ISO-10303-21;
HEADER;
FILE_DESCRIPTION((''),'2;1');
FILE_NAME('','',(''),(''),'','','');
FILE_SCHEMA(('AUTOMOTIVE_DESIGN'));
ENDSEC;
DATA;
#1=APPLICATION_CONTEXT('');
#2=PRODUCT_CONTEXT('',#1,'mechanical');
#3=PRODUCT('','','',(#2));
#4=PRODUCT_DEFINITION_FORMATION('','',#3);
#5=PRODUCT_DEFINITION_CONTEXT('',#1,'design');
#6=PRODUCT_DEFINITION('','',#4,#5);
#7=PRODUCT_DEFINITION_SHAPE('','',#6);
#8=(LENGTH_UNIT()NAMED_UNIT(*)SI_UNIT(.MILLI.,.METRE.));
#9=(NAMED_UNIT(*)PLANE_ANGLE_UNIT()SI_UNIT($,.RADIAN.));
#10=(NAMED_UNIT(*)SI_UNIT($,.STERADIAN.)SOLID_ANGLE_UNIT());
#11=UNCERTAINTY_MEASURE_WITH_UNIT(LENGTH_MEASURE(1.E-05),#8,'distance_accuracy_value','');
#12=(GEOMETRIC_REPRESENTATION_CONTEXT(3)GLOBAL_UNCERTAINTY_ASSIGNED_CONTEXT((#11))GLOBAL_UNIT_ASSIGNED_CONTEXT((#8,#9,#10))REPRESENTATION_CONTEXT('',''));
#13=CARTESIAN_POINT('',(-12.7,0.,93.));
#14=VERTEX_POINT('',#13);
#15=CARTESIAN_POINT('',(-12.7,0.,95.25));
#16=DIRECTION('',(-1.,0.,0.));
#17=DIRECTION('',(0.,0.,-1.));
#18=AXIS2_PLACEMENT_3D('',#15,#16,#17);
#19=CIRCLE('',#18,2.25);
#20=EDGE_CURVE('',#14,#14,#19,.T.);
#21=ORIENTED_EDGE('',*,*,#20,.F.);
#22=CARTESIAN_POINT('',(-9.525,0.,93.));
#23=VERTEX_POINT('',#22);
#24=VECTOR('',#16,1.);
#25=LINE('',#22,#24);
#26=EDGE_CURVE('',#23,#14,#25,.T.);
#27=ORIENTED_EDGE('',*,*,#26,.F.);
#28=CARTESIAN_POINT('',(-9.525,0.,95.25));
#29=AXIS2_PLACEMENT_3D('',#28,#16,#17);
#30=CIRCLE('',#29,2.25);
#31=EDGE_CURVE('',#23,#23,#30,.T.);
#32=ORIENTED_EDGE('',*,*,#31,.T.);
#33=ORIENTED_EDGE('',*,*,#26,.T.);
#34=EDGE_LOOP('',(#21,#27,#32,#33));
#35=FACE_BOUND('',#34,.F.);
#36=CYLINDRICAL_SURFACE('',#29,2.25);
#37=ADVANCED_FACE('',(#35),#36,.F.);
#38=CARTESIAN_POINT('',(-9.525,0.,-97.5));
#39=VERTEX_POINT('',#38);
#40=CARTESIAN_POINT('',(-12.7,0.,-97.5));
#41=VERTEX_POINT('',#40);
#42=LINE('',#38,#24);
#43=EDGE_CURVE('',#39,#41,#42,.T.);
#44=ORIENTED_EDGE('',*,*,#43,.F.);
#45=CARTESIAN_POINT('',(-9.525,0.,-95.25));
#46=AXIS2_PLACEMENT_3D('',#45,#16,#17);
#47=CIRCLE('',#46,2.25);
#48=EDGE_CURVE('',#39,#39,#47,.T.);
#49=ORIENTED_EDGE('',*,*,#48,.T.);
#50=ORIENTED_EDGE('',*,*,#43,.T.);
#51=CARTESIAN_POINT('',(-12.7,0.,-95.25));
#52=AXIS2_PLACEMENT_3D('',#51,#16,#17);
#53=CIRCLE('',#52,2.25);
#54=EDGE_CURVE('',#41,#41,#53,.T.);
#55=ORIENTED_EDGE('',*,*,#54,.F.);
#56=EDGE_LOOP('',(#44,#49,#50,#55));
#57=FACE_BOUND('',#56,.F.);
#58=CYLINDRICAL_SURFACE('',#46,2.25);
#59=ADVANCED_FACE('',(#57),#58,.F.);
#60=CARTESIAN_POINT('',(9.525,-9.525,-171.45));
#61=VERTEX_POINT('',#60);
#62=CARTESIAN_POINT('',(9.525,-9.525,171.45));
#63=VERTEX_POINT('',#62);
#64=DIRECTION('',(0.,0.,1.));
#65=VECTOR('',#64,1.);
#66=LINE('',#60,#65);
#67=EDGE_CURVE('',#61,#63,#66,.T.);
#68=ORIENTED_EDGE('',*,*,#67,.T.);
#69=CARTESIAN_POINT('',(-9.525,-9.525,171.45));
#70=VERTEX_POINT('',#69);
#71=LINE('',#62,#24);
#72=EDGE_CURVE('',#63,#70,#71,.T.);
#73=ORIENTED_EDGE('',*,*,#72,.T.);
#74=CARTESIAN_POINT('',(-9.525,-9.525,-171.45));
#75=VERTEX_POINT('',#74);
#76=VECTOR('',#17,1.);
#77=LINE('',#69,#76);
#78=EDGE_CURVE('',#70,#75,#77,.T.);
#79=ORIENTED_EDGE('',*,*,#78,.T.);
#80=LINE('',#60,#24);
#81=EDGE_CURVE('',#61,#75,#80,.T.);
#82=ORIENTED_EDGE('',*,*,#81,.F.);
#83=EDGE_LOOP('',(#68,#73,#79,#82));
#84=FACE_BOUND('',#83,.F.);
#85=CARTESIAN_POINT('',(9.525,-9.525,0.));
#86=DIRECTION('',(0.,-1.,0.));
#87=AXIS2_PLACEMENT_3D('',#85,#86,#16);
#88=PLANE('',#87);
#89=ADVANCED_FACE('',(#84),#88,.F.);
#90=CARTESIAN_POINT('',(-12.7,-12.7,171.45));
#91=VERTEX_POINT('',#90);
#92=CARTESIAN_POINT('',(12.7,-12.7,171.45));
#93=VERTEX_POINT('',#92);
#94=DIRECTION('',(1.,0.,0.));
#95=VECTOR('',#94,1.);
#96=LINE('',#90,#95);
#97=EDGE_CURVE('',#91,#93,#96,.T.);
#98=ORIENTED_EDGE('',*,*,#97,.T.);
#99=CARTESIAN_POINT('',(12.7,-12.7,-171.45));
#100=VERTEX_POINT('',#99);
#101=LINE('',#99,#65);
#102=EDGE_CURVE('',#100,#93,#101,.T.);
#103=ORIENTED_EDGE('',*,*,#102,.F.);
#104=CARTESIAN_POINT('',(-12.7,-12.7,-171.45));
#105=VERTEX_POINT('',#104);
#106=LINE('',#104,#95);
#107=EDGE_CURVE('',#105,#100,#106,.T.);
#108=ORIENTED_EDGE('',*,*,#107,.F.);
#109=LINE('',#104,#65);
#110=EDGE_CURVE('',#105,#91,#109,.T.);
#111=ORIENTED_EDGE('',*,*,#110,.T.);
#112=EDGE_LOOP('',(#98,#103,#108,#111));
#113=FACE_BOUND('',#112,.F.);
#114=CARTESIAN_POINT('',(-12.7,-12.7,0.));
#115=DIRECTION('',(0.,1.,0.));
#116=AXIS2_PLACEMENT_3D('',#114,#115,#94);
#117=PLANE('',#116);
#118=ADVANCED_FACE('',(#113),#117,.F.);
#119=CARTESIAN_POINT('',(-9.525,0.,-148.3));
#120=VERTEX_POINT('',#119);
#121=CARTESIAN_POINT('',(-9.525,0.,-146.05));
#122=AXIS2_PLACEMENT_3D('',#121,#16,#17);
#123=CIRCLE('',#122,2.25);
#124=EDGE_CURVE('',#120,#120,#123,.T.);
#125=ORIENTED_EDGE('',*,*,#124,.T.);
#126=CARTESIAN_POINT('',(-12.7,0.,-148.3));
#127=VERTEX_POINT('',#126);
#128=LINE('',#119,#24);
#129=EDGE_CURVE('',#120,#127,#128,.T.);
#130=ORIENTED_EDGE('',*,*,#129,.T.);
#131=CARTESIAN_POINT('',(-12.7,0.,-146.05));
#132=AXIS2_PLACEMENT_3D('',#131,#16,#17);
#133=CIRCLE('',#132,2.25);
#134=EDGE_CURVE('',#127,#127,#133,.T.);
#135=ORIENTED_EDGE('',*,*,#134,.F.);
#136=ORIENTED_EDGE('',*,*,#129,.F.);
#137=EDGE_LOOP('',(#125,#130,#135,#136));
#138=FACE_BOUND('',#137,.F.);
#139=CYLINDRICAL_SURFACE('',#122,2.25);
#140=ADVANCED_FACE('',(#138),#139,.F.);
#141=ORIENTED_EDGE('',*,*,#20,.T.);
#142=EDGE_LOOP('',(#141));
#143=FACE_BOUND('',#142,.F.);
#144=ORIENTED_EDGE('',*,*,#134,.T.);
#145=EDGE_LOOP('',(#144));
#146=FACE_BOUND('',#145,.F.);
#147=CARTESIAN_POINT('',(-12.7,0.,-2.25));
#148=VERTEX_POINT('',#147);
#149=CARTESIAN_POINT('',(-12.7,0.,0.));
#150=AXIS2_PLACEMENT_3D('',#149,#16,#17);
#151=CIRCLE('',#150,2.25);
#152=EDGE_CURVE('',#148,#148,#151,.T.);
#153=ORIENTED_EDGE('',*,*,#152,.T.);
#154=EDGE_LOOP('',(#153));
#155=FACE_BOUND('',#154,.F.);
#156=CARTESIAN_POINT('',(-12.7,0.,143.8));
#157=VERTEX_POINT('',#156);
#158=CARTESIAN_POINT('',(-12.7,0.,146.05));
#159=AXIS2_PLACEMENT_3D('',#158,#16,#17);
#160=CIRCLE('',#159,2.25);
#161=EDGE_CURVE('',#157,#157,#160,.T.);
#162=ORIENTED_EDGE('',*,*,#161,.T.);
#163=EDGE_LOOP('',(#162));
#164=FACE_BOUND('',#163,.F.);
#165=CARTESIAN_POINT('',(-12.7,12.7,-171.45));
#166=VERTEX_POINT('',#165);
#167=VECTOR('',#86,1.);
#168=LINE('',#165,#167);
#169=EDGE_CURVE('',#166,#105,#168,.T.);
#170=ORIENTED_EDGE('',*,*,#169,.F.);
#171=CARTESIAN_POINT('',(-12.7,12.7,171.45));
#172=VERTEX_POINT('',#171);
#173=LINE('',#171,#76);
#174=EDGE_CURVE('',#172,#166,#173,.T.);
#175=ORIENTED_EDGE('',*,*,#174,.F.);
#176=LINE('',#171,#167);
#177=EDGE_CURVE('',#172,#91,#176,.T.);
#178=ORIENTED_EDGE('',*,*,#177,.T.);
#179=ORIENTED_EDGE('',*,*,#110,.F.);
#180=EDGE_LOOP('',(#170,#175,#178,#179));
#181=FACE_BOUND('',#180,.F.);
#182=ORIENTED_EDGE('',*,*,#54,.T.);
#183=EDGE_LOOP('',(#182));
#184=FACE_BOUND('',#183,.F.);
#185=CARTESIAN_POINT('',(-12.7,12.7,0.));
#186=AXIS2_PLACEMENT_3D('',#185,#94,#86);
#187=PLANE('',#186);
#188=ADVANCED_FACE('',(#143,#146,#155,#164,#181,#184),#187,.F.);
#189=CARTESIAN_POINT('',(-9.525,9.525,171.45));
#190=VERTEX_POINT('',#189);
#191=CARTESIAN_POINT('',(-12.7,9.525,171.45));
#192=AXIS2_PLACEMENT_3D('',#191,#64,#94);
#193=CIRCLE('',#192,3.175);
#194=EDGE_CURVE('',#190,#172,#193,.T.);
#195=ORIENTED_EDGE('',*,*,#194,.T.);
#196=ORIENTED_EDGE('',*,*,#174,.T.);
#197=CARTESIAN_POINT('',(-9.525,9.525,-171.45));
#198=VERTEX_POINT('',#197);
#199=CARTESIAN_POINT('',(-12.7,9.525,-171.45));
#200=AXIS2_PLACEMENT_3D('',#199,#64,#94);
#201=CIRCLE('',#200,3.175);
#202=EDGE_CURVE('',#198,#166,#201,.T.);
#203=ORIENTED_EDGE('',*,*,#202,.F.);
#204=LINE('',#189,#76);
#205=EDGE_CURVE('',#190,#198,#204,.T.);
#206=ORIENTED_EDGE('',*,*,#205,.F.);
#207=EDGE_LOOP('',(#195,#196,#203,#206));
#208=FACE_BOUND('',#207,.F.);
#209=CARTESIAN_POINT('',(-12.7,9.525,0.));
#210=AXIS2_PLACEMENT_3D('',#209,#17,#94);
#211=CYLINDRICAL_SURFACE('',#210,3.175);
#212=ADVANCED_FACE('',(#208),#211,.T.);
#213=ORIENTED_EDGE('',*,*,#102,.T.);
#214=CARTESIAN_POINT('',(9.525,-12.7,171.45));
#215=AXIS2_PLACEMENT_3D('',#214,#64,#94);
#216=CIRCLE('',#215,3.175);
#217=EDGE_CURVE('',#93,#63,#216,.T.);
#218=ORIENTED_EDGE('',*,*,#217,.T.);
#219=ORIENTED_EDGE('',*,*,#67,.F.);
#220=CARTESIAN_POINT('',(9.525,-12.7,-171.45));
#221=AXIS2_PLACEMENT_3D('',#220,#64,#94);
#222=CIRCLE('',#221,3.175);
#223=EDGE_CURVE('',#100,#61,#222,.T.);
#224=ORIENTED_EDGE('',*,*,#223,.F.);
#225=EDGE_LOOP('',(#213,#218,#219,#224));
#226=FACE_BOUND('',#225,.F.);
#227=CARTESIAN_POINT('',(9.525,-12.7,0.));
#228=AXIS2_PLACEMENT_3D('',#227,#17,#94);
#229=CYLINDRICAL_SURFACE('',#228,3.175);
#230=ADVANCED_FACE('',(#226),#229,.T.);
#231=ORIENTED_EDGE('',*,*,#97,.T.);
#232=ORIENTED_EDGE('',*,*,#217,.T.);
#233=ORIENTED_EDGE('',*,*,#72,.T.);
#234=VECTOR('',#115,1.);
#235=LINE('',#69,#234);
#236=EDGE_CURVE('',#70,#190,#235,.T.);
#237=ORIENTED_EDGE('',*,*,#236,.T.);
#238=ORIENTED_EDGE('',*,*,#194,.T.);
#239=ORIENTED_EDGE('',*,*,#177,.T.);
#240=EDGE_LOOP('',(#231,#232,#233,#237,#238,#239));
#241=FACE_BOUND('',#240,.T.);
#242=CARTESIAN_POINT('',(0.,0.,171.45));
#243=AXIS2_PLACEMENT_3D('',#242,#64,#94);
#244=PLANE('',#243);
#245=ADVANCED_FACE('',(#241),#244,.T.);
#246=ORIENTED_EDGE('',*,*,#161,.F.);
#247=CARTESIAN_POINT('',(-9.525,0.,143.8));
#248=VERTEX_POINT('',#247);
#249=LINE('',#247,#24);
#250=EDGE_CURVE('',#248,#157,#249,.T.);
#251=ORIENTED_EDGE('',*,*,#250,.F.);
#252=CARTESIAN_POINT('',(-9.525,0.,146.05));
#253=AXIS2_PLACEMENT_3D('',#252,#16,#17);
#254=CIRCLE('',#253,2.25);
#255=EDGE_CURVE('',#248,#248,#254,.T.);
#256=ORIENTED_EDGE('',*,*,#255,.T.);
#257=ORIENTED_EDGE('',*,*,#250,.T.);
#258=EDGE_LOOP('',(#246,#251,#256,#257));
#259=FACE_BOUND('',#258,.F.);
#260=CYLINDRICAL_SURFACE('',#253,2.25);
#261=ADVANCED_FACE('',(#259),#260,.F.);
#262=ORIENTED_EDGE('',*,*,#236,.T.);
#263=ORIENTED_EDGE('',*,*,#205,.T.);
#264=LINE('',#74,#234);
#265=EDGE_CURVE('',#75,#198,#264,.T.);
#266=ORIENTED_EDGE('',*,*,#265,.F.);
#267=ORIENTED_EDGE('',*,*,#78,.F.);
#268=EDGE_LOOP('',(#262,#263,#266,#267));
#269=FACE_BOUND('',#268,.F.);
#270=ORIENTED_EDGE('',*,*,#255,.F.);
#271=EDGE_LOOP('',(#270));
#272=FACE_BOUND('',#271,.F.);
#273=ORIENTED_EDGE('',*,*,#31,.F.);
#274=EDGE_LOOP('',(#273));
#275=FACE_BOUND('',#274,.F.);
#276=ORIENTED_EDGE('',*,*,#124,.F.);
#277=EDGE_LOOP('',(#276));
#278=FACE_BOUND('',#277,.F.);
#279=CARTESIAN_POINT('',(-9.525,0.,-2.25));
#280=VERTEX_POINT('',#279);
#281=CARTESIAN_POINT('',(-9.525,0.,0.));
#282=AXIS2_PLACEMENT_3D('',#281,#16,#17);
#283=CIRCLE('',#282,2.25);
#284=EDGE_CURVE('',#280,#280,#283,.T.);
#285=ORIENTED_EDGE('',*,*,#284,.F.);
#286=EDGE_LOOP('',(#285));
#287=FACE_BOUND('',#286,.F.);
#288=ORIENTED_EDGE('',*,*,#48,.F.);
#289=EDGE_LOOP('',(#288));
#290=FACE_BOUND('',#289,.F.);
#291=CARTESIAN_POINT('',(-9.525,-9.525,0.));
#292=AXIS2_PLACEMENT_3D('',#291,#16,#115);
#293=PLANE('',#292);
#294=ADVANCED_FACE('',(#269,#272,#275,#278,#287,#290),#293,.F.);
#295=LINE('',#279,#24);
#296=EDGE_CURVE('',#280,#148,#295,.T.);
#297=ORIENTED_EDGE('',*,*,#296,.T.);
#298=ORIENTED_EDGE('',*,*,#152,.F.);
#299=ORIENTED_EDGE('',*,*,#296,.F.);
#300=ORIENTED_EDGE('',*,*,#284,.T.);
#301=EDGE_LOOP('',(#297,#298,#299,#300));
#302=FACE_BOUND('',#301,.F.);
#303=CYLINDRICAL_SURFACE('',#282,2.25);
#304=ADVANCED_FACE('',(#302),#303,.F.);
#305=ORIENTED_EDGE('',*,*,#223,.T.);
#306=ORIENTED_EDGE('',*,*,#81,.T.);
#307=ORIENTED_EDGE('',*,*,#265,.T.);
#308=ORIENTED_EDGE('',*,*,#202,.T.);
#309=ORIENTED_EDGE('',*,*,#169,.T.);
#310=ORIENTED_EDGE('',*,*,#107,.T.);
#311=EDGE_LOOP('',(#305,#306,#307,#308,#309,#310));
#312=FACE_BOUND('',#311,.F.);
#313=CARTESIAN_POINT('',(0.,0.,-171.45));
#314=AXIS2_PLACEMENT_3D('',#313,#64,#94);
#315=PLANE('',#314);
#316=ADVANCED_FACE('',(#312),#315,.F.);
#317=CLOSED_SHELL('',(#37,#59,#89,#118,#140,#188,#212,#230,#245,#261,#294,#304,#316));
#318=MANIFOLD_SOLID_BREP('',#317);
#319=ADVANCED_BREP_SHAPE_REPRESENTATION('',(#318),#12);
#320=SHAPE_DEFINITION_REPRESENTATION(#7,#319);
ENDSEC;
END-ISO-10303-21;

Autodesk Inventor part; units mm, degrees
ref_plane "YZ Plane" through (0, 0, 0) normal (1, 0, 0) x (0, 1, 0)
ref_plane "XZ Plane" through (0, 0, 0) normal (0, 1, 0) x (-1, 0, 0)
ref_plane "XY Plane" through (0, 0, 0) normal (0, 0, 1) x (1, 0, 0)
sketch "Sketch1" plane through (0, 0, 0) normal (0, 0, 1) x (1, 0, 0)
  line L0 (-12.7, -12.7) -> (12.7, -12.7)
  line L1 (12.7, -12.7) -> (12.7, 12.7)
  line L2 (12.7, 12.7) -> (-12.7, 12.7)
  line L3 (-12.7, 12.7) -> (-12.7, -12.7)
  line L4 (-9.525, 9.525) -> (9.525, 9.525)
  line L5 (9.525, 9.525) -> (9.525, -9.525)
  line L6 (9.525, -9.525) -> (-9.525, -9.525)
  line L7 (-9.525, -9.525) -> (-9.525, 9.525)
  arc A0 (-9.525, 9.525) -> (-12.7, 12.7) centre (-12.7, 9.525) ccw
  arc A1 (12.7, -12.7) -> (9.525, -9.525) centre (9.525, -12.7) ccw
  point P0 (0, 0)
  point P1 (-12.7, 0)
  point P2 (0, 12.7)
  dimension "d0" = 25.4
  dimension "d1" = 25.4
  dimension "d2" = 3.175
extrude "Extrusion1" add sketch "Sketch1" along normal mid plane 342.9 contours L3 A0 L7 L6 A1 L0
sketch "Sketch2" plane through (-9.525, -9.525, 171.45) normal (1, 0, 0) x (0, 0, -1)
  line L0 (342.9, -3.175) -> (0, -3.175) projected
  line L1 (0, 22.225) -> (0, -3.175) projected
  line L2 (342.9, 22.225) -> (0, 22.225) projected
  line L3 (342.9, -3.175) -> (342.9, 22.225) projected
  line L4 (0, 9.525) -> (342.9, 9.525)
  point P0 (171.45, 9.525)
  point P1 (25.4, 9.525)
  point P2 (76.2, 9.525)
  point P3 (171.45, 9.525)
  point P4 (266.7, 9.525)
  point P5 (317.5, 9.525)
  dimension "d5" = 12.7
  dimension "d6" = 25.4
  dimension "d7" = 50.8
  dimension "d8" = 25.4
  dimension "d9" = 50.8
hole "Hole1" at (-9.525, 0, 146.05) at (-9.525, 0, 95.25) at (-9.525, 0, 0) at (-9.525, 0, -95.25) at (-9.525, 0, -146.05) direction (-1, 0, 0) diameter 4.5 depth 12.446 tip angle 118 clearance for "Flat Head Machine Screw (82)" size "#8" standard "Ansi Unified Screw Threads"
equation "\"d8\" = d6"
equation "\"d9\" = d7"
properties part number "1213_Angle Stock Bracket_V1" material "Aluminum"
